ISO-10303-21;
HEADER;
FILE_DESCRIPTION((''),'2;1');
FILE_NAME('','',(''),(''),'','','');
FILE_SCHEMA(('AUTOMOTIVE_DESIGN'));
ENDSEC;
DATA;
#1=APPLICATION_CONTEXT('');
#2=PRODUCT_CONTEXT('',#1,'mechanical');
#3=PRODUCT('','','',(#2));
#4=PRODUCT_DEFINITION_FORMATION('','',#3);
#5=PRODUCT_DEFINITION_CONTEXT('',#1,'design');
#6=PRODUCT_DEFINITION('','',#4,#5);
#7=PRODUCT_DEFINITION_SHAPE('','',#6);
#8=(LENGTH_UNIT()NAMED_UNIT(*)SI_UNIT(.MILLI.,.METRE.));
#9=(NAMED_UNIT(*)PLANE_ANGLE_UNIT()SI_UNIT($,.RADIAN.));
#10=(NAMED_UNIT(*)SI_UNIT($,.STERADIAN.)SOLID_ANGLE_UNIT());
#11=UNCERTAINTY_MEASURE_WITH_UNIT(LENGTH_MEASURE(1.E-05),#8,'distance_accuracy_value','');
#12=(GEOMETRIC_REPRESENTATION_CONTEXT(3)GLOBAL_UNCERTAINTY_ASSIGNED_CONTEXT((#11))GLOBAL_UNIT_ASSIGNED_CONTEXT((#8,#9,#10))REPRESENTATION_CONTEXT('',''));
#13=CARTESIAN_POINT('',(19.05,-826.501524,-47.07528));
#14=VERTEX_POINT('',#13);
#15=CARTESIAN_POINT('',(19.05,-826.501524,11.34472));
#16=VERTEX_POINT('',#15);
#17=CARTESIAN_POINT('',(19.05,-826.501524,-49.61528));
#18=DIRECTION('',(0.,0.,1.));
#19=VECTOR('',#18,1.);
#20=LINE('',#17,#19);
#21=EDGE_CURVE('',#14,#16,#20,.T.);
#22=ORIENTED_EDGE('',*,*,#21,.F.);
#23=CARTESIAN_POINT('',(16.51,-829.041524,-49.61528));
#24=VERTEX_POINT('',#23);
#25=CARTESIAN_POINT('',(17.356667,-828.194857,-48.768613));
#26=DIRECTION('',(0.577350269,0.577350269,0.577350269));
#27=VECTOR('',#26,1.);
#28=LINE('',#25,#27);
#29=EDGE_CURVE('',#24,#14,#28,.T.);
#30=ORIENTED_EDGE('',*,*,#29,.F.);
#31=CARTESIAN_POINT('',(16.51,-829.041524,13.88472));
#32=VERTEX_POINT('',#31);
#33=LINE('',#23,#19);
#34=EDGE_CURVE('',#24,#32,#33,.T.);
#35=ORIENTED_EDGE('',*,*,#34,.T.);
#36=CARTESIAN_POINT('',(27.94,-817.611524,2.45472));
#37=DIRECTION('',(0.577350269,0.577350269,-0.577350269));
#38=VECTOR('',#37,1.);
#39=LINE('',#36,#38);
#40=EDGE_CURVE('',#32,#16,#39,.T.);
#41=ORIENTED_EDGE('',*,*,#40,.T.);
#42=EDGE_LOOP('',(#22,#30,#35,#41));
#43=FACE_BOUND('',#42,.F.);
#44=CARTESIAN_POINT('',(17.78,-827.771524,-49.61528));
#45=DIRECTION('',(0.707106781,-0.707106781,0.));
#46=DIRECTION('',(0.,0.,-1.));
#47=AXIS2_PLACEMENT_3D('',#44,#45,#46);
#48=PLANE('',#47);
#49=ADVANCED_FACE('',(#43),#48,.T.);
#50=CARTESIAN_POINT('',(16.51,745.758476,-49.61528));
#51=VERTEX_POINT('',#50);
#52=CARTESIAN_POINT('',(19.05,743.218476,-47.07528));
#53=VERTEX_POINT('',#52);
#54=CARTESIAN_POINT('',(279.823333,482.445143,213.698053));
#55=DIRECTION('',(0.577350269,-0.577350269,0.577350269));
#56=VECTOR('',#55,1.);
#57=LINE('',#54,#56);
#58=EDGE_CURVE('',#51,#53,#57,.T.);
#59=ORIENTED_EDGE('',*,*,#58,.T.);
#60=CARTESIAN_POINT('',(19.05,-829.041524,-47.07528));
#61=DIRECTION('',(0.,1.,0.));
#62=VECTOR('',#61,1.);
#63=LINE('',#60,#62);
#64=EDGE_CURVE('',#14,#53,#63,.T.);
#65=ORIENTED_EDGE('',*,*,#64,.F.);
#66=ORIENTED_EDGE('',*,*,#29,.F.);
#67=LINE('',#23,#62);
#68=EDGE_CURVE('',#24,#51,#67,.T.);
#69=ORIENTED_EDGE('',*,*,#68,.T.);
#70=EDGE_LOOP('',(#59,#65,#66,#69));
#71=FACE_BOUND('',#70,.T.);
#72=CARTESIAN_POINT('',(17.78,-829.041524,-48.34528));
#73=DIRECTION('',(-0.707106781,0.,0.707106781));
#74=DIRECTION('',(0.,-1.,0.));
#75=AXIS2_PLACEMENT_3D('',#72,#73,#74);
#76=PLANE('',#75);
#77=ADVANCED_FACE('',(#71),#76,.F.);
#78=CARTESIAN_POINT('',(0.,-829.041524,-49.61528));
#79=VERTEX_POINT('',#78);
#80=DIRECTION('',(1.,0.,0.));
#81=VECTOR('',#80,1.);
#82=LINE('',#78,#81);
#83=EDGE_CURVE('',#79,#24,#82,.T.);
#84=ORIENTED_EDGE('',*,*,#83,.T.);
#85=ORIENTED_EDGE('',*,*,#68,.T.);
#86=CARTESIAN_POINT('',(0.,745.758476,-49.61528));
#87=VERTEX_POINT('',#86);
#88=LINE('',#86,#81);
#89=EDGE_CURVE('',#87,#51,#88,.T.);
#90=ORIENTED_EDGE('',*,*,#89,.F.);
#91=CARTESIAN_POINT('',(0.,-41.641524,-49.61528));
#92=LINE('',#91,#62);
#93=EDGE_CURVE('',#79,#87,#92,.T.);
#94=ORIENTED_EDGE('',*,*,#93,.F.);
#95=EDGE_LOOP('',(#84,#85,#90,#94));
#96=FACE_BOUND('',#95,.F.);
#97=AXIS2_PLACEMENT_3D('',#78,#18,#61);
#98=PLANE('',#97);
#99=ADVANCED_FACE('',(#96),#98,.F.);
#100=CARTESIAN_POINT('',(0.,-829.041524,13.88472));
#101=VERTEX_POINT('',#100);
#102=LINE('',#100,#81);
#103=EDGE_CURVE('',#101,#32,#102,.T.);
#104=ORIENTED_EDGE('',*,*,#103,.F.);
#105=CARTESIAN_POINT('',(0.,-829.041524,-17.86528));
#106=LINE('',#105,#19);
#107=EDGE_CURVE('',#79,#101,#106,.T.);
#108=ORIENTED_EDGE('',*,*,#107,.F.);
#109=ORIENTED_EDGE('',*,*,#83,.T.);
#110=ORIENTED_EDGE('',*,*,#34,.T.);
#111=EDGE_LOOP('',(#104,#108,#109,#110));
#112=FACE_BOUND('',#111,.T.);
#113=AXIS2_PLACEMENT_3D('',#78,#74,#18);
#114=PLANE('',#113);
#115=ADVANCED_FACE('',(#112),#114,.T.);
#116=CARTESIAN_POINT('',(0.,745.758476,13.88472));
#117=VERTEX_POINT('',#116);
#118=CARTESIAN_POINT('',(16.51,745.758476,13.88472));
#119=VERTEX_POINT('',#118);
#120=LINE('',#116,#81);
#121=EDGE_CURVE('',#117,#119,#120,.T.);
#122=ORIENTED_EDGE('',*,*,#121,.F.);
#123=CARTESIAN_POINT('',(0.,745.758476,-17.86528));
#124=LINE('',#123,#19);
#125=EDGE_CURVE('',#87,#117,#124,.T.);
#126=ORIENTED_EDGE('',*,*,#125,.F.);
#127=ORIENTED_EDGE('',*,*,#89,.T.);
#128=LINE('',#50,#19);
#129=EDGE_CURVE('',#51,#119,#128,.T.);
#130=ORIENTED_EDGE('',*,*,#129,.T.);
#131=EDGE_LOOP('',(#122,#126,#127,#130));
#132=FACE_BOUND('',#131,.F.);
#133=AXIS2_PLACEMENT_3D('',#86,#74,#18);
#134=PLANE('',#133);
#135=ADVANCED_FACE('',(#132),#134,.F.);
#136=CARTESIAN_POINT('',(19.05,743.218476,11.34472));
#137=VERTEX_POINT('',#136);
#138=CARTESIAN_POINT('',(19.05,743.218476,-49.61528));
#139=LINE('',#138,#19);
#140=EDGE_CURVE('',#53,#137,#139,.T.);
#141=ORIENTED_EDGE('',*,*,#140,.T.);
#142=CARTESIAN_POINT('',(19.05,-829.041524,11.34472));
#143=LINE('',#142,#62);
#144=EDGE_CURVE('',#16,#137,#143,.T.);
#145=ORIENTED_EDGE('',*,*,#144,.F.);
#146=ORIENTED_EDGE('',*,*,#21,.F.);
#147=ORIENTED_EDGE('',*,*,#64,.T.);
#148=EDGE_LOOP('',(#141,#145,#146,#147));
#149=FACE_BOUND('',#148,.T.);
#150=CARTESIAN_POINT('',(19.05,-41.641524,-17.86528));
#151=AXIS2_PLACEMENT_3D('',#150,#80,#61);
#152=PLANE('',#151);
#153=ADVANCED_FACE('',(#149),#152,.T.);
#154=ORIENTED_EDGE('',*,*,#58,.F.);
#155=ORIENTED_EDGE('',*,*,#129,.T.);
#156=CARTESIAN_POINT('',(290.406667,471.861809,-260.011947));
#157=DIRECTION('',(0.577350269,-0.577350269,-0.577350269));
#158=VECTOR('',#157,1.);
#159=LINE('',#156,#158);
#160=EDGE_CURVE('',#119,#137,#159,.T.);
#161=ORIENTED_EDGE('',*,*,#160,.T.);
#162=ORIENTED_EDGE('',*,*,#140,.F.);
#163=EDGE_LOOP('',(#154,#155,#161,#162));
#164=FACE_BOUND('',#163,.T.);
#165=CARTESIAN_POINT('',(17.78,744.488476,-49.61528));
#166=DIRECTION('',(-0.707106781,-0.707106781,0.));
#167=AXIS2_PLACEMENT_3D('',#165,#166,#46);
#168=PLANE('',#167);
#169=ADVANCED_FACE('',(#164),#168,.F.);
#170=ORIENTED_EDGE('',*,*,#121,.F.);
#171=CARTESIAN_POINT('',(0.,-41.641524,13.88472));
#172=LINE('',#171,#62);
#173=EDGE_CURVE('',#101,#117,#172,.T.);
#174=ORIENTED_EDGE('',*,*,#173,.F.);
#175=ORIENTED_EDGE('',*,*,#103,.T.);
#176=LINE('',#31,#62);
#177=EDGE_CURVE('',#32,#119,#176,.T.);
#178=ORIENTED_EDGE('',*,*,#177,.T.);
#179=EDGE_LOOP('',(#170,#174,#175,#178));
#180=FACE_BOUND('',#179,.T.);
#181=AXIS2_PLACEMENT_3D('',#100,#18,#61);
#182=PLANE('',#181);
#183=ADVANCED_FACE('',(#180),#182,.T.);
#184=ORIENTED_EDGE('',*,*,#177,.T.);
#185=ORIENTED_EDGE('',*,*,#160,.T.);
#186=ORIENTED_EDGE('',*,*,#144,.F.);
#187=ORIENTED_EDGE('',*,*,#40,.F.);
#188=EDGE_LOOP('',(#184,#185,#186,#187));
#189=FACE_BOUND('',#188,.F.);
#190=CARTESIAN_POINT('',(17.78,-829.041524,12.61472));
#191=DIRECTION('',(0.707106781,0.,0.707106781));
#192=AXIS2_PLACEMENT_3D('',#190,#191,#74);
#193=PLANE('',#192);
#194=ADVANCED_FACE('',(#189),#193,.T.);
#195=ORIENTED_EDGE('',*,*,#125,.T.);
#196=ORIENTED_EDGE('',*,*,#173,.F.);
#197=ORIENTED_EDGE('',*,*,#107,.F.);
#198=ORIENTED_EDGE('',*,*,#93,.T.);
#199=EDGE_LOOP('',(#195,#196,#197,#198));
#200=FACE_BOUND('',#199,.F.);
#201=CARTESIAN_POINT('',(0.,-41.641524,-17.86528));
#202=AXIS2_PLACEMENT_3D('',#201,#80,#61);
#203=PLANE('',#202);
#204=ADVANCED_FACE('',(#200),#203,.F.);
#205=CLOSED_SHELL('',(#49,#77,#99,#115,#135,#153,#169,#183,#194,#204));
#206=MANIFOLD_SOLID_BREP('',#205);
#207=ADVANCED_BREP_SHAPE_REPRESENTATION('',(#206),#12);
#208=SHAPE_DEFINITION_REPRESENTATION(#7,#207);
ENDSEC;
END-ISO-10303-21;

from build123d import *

# Parameters (mm, degrees)
F0_W     = 1574.8
F0_H     = 63.5
F1_DEPTH = 19.05
F2_SIZE  = 2.54


with BuildPart() as f1:
    # F0 (on Right) → F1 (new body)
    with BuildSketch(Plane.YZ):
        with Locations((-41.641524, -17.86528)):
            Rectangle(F0_W, F0_H)
    extrude(amount=F1_DEPTH)

    # F2
    f2_edges = [f1.edges().sort_by_distance(p)[0] for p in [
        (19.05, -41.641524, 13.88472),
        (19.05, -829.041524, -17.86528),
        (19.05, -41.641524, -49.61528),
        (19.05, 745.758476, -17.86528),
    ]]
    chamfer(f2_edges, length=F2_SIZE)


solid = f1.part
